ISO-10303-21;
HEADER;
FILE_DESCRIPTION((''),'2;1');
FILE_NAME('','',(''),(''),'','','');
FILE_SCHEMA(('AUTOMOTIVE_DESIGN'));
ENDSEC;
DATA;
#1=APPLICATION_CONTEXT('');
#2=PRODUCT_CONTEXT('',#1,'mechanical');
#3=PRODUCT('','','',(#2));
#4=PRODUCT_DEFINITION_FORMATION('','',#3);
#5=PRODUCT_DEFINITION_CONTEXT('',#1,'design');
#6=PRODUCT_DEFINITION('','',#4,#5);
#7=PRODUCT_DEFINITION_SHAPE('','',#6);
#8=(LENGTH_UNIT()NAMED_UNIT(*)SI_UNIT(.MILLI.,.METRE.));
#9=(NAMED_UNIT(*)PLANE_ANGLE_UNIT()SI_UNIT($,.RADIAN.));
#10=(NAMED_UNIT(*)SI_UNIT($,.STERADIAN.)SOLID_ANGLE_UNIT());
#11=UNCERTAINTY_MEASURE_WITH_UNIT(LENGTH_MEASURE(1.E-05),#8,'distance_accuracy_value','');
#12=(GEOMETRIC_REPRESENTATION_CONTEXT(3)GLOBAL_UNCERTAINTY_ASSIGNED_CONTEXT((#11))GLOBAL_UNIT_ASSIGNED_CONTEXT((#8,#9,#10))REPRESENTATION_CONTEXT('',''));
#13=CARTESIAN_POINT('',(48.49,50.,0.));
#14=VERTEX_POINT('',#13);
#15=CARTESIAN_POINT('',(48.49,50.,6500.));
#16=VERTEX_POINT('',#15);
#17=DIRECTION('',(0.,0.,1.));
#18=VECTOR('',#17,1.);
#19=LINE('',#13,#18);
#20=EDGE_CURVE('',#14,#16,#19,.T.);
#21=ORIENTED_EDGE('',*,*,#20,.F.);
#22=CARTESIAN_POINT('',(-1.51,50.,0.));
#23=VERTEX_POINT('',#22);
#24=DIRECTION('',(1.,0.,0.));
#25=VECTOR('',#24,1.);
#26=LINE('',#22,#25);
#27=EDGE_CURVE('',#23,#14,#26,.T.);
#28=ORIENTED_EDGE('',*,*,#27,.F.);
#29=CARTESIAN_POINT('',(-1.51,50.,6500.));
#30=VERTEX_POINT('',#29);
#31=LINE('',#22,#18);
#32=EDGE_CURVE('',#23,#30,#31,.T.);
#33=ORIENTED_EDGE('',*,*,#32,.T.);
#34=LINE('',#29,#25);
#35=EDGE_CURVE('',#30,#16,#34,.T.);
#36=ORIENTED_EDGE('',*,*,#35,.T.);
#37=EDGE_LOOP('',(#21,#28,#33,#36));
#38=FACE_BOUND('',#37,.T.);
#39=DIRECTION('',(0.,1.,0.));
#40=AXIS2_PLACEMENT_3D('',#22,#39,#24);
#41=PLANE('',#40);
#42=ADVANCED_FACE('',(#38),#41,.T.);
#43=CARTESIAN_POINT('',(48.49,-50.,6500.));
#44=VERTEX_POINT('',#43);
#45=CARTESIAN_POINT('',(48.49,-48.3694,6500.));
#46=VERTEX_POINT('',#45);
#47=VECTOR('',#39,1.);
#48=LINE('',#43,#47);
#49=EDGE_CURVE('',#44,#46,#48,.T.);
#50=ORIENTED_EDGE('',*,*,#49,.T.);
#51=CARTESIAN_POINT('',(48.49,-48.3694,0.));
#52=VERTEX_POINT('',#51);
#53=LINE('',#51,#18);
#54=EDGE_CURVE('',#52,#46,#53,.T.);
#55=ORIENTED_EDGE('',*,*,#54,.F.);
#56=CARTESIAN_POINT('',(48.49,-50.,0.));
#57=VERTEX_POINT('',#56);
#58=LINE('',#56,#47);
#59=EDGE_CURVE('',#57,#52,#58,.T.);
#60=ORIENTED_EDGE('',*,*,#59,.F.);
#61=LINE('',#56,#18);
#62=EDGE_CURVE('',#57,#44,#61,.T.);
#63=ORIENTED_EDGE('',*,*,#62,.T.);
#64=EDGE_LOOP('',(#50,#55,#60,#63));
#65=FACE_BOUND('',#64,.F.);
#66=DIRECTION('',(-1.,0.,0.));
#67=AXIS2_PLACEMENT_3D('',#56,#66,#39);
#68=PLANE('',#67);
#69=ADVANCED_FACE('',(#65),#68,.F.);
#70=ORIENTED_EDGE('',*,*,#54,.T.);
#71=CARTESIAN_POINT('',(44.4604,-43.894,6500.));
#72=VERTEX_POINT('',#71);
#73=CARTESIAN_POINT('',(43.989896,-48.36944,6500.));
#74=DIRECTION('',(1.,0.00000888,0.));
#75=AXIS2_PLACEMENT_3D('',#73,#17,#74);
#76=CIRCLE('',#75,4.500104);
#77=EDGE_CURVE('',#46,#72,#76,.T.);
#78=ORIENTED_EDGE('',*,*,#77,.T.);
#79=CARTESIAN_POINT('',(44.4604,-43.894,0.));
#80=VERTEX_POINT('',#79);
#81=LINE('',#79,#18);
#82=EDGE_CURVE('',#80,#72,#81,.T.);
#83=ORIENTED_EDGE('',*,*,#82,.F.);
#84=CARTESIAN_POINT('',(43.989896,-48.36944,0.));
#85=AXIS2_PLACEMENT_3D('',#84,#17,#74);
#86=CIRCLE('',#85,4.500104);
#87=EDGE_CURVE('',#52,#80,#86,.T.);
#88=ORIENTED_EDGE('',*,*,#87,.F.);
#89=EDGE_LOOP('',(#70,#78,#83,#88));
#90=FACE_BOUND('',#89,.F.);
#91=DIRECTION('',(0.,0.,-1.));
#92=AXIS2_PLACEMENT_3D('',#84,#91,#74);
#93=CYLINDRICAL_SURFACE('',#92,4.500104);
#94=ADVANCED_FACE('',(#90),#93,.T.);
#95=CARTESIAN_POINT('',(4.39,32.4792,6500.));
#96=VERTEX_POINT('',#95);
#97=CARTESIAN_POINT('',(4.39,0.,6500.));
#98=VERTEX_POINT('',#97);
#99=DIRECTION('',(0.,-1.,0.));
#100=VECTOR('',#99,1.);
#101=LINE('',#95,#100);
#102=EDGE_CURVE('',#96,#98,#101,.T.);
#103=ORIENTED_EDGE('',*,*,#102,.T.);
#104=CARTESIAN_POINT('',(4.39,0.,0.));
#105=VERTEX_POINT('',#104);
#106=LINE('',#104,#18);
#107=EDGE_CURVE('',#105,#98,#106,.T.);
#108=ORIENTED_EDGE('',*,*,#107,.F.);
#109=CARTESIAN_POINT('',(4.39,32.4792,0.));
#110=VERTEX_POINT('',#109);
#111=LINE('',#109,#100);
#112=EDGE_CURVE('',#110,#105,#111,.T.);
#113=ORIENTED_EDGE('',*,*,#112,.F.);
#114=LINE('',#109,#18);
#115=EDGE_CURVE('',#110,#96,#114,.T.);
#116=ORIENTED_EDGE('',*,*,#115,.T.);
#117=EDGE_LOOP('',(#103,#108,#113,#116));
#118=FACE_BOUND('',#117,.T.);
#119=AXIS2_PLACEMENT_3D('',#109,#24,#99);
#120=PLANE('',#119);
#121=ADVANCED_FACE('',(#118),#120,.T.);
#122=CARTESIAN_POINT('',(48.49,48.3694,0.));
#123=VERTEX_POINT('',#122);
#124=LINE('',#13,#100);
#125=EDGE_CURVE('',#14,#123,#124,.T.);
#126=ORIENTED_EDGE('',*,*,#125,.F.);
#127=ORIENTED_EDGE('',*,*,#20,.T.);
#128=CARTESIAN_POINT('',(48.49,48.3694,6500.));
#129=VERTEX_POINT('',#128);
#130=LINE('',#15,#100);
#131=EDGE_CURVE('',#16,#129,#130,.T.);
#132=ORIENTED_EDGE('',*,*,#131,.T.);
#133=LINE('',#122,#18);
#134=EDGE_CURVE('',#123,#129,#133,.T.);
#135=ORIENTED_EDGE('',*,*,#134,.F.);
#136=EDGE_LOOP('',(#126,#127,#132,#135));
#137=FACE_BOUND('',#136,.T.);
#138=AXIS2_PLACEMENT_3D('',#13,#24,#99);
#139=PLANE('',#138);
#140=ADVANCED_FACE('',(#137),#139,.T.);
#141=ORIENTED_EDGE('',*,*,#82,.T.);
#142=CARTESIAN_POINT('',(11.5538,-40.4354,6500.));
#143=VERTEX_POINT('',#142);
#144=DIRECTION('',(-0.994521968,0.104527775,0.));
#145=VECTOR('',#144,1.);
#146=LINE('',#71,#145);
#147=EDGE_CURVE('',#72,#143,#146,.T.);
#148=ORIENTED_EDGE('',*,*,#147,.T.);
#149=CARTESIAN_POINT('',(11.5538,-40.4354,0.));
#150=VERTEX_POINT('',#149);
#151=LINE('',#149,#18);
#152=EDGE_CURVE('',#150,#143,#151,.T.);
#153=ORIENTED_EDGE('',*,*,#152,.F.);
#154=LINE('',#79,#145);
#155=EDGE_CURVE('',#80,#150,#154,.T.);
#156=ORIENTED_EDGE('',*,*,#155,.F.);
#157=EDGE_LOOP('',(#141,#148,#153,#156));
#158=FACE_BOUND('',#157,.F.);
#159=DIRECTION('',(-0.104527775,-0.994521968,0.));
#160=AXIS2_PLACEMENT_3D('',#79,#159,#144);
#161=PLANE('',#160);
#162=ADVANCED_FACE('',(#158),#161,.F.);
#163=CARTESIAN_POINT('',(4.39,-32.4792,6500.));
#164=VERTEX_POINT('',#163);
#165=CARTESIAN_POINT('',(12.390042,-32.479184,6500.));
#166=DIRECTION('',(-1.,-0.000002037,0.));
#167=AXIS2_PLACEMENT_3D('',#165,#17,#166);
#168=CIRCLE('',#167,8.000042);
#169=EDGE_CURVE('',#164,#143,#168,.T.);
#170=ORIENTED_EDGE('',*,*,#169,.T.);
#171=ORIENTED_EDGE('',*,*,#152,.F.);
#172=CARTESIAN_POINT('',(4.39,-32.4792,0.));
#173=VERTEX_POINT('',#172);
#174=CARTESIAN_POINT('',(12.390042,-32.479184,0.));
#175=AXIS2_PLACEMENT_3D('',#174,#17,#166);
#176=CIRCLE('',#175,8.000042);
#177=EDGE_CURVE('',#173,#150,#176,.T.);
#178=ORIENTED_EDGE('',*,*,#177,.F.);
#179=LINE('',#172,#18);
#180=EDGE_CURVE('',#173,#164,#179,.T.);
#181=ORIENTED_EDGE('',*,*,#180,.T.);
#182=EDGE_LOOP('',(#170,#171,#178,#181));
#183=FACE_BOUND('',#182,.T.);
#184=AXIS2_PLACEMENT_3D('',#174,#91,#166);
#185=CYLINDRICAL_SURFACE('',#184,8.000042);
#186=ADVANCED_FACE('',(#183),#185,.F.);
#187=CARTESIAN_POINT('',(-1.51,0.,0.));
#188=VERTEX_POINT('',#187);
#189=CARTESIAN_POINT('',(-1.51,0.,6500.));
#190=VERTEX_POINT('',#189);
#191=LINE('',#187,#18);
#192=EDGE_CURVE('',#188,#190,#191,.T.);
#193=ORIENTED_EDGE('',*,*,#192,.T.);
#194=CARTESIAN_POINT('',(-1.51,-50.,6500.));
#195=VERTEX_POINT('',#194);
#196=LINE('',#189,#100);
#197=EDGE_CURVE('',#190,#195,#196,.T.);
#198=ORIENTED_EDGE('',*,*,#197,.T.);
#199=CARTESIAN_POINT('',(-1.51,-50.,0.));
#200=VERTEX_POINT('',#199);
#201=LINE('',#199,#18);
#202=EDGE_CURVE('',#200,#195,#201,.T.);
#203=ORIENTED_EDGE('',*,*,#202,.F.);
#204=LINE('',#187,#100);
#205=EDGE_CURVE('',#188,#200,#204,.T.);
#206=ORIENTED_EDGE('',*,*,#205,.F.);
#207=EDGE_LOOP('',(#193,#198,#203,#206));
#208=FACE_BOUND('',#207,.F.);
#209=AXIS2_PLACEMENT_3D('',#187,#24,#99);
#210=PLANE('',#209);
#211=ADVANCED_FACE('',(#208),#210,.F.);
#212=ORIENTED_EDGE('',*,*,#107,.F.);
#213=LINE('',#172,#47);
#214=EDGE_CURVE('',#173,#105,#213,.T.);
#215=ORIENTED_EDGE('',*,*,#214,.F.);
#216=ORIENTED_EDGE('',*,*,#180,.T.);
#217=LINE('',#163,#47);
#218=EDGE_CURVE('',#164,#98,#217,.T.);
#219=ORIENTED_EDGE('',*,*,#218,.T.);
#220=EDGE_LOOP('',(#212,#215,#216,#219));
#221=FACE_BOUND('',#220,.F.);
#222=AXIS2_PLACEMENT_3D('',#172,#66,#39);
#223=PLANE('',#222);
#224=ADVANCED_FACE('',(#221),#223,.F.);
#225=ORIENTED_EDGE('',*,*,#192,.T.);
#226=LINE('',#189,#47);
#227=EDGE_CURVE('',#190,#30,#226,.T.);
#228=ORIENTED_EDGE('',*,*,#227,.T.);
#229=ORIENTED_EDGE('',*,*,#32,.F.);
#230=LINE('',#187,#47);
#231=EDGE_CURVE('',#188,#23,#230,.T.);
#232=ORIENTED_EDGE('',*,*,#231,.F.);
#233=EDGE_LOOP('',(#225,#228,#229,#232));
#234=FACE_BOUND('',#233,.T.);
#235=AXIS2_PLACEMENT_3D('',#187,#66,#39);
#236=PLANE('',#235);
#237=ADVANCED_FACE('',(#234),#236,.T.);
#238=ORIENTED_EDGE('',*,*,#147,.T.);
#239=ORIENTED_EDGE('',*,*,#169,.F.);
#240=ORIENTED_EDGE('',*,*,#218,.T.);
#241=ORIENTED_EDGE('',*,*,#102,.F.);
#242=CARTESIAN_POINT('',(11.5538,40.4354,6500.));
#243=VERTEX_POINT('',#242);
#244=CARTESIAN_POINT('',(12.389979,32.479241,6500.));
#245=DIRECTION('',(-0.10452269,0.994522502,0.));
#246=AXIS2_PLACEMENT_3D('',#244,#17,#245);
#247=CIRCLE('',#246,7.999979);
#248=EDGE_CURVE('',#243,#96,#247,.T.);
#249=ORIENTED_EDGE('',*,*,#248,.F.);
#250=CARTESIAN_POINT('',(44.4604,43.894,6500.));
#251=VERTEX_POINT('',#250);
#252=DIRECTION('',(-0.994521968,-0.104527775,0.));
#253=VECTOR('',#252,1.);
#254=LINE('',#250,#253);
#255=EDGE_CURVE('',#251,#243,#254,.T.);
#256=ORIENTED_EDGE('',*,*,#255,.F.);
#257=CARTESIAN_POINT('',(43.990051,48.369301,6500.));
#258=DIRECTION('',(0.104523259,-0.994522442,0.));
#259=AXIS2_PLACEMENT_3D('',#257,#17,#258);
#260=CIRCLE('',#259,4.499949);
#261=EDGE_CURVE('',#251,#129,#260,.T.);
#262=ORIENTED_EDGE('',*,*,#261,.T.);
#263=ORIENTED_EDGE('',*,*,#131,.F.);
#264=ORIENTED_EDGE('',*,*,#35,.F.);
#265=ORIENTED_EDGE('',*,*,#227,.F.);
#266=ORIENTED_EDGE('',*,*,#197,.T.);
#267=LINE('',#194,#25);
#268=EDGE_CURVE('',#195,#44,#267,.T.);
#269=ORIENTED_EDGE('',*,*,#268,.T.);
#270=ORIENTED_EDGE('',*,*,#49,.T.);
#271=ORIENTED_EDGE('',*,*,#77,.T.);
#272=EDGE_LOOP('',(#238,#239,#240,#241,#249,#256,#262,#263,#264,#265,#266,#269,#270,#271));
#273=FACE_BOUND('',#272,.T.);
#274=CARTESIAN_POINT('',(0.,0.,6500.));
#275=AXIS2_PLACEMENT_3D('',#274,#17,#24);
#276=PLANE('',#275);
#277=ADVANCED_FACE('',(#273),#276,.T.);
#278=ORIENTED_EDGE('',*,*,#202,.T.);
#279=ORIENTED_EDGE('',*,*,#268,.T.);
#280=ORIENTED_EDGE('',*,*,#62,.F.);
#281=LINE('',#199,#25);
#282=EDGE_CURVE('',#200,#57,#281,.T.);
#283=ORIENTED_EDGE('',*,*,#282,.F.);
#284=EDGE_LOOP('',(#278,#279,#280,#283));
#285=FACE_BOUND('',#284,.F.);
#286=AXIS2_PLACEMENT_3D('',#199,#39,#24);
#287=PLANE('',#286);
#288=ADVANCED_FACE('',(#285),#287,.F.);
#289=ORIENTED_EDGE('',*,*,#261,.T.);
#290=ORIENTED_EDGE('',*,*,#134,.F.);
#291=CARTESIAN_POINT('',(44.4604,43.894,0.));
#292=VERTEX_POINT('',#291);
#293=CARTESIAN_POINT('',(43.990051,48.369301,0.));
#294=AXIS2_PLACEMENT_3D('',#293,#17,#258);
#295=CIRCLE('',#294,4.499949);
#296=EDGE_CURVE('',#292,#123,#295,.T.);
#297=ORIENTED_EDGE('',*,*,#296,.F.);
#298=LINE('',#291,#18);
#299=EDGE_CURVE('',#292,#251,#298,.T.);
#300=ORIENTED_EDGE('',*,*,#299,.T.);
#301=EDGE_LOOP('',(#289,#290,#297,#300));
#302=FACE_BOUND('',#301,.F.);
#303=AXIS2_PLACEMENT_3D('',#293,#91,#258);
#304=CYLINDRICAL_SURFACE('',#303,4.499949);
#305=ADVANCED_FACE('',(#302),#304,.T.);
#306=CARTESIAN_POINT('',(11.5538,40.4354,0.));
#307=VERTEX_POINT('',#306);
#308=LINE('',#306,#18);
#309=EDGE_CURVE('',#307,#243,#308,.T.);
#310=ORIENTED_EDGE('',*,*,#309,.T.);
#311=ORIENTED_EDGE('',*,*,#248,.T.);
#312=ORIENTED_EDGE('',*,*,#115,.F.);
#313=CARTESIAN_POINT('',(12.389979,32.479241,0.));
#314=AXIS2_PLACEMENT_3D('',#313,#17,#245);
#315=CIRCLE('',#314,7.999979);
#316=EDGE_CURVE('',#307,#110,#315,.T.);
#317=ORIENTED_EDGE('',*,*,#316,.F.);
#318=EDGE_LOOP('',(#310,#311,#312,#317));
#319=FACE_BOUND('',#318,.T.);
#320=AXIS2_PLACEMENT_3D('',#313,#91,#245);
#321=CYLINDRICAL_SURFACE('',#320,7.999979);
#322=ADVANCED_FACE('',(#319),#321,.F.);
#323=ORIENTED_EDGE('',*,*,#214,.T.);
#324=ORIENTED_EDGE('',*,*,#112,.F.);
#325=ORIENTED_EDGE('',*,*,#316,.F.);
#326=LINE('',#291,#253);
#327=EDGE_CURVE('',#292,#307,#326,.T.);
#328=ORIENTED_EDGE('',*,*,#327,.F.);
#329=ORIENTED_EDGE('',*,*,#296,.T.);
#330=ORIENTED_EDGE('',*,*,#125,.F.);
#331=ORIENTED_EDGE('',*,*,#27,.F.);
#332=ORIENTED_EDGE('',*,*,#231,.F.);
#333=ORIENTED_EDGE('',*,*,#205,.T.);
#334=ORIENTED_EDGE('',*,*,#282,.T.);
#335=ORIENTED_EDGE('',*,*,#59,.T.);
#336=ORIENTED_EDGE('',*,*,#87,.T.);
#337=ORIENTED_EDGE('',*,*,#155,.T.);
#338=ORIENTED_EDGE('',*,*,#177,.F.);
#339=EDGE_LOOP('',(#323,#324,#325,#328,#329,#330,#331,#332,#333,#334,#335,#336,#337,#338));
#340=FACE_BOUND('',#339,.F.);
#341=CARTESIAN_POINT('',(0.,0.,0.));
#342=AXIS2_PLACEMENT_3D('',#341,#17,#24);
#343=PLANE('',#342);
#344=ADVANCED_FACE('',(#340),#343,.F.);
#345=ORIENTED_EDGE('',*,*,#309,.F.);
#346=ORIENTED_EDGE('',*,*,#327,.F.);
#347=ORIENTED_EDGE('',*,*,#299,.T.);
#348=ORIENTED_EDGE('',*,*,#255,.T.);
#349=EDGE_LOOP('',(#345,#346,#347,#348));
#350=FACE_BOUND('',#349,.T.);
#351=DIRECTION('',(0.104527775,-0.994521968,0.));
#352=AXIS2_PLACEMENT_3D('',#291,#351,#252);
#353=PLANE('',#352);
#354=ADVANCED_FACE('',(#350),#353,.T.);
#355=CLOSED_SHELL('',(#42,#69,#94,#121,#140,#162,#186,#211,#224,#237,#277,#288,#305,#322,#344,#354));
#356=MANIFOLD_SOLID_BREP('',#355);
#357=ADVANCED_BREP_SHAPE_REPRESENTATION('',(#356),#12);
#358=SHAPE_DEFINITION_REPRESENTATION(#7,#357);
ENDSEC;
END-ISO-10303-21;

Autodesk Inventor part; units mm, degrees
ref_plane "YZ Plane" through (0, 0, 0) normal (1, 0, 0) x (0, 1, 0)
ref_plane "Start Plane" through (0, 0, 0) normal (0, 0, 1) x (1, 0, 0)
ref_plane "End Plane" through (0, 0, 6500) normal (0, 0, 1) x (1, 0, 0)
sketch "Sketch" plane through (0, 0, 0) normal (0, 0, 1) x (1, 0, 0)
  line L0 (-1.51, 0) -> (-1.51, 50)
  line L1 (-1.51, 50) -> (48.49, 50)
  line L2 (48.49, 50) -> (48.49, 48.3694)
  line L3 (44.4604, 43.894) -> (11.5538, 40.4354)
  line L4 (4.39, 32.4792) -> (4.39, 0)
  line L5 (4.39, 0) -> (-1.51, 0) construction
  line L6 (26.44, 50) -> (26.44, 42) construction
  line L7 (48.49, 44.3175) -> (48.49, 42) construction
  line L8 (48.49, 42) -> (26.44, 42) construction
  line L9 (0, 15) -> (0, -27) construction
  line L10 (-5.539, 0) -> (16.0067, 0) construction
  line L11 (-1.51, 0) -> (-1.51, -50)
  line L12 (-1.51, -50) -> (48.49, -50)
  line L13 (48.49, -50) -> (48.49, -48.3694)
  line L14 (44.4604, -43.894) -> (11.5538, -40.4354)
  line L15 (4.39, -32.4792) -> (4.39, 0)
  arc A0 (11.5538, 40.4354) -> (4.39, 32.4792) centre (12.39, 32.4792) ccw
  arc A1 (4.39, -32.4792) -> (11.5538, -40.4354) centre (12.39, -32.4792) ccw
  arc A2 (44.4604, 43.894) -> (48.49, 48.3694) centre (43.99, 48.3694) ccw
  arc A3 (48.49, -48.3694) -> (44.4604, -43.894) centre (43.99, -48.3694) ccw
  line L16 (0, 70) -> (0, -70) construction
  line L17 (-16.5166, 0) -> (60.3266, 0) construction
  point P0 (4.39, 39.6825)
  point P1 (48.49, -44.3175)
  point P2 (4.39, -39.6825)
  point P3 (26.44, -50)
  point P4 (26.44, -42)
  dimension "d0" = 5.9
  dimension "d1" = 50
  dimension "d2" = 50
  dimension "d3" = 8
  dimension "d4" = 22.05
  dimension "d5" = 2.3175
  dimension "d23" = 8
  dimension "d24" = 4.5
  dimension "d25" = 1.51
extrude "Body" add sketch "Sketch" along normal up to surface (6500 mm away) from surface at 0
sketch "Sketch3" plane through (0, 0, 0) normal (0, 0, 1) x (1, 0, 0)
  line L0 (0, 0) -> (10, 0)
ref_plane "Work Plane3" through (0, 0, 0) normal (0, -1, 0) x (1, 0, 0)
sketch "Sketch4" plane through (0, 0, 0) normal (0, -1, 0) x (1, 0, 0)
  line L0 (-2, 0) -> (12, 0) projected
  line L1 (-2, 6500) -> (12, 6500) projected
  dimension "d29" = 6500
equation "\"d0\" = G_T"
equation "\"d1\" = 0.5 * G_H"
equation "\"d2\" = G_W"
equation "\"d3\" = G_T1"
equation "\"d4\" = G_C"
equation "\"d23\" = G_IR"
equation "\"d24\" = G_ER"
equation "\"d25\" = ex"
equation "\"d6\" = G_L"
equation "\"G_W\" = 50"
equation "\"G_H\" = 100"
equation "\"G_T\" = 5.9"
equation "\"G_T1\" = 8"
equation "\"G_NG\" = 0.105104"
equation "\"G_ER\" = 4.5"
equation "\"G_IR\" = 8"
equation "\"G_C\" = 22.05"
equation "\"G_L\" = d29"
equation "\"ex\" = 1.51"
equation "\"G_OFFSET_START\" = 0"
equation "\"G_OFFSET_END\" = 0"
properties part number "ISO 657/11 - CH 100 x 10 - 6500" material "Steel, Mild"
